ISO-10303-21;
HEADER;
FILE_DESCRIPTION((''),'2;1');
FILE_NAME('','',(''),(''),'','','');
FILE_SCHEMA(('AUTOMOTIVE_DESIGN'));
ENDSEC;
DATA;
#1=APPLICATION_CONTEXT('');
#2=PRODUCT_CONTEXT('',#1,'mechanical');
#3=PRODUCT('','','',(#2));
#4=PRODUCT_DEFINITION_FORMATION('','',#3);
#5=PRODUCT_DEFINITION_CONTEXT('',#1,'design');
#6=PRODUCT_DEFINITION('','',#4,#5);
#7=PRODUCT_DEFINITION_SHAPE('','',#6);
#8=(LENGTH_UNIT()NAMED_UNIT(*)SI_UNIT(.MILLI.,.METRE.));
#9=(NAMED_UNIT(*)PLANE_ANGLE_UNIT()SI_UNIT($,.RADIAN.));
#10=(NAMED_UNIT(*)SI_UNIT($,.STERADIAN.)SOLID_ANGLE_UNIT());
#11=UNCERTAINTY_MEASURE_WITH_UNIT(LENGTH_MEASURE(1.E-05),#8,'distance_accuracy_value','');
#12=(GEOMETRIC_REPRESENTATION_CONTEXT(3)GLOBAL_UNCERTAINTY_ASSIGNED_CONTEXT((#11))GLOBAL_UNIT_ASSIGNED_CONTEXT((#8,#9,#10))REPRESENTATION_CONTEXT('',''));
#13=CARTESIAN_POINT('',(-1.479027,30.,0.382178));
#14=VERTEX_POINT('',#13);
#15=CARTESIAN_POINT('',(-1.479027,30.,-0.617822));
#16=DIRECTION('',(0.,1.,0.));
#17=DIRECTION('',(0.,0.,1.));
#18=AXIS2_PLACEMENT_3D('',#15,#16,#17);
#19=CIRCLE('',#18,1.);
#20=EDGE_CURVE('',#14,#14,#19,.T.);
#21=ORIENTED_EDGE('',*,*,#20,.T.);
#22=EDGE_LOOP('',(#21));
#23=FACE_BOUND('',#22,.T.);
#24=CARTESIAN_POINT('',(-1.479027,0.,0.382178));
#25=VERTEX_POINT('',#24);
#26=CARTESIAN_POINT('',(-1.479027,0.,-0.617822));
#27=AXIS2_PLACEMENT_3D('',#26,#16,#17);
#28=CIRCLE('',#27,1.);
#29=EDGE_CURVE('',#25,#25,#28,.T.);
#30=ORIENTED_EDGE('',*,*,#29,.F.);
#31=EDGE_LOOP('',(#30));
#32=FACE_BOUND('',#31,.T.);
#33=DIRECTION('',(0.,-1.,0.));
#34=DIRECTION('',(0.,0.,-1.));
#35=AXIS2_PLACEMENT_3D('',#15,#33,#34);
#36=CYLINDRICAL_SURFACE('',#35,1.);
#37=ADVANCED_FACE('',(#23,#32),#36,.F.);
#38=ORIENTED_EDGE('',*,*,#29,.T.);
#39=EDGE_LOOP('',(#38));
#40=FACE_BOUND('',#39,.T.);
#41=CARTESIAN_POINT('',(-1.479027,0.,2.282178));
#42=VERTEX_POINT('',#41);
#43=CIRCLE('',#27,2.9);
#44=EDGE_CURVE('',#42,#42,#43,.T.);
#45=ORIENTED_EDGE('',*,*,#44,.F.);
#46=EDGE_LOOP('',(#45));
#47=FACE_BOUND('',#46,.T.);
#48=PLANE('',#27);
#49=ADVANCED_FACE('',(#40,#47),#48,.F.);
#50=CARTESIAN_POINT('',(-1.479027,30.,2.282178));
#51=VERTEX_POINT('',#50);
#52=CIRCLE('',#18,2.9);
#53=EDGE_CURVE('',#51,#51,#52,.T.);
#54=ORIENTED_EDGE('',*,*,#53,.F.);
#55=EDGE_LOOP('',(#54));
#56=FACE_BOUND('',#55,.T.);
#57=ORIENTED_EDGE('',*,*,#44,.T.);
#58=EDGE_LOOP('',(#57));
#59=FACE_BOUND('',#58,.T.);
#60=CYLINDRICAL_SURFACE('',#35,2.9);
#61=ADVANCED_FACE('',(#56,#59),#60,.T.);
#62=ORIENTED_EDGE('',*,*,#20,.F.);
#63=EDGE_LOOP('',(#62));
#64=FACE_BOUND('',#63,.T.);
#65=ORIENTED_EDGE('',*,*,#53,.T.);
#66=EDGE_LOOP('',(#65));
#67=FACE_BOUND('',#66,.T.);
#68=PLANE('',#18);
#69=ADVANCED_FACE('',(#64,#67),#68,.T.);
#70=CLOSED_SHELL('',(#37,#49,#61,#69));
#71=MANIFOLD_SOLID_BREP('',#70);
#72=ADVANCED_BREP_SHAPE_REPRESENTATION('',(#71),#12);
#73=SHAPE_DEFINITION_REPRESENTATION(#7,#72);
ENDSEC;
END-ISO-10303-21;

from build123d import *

# Parameters (mm, degrees)
SKETCH_1_R      = 2.9
SKETCH_1_R_2    = 1
EXTRUDE_1_DEPTH = 30


with BuildPart() as part:
    # 草图1 → 凸台-拉伸1 (new body)
    with BuildSketch(Plane(origin=(0, 0, 0), x_dir=(1, 0, 0), z_dir=(0, 1, 0))):
        with Locations((-1.479027352, 0.617821552)):
            Circle(SKETCH_1_R)
        with Locations((-1.479027352, 0.617821552)):
            Circle(SKETCH_1_R_2, mode=Mode.SUBTRACT)
    extrude(amount=EXTRUDE_1_DEPTH)


solid = part.part
